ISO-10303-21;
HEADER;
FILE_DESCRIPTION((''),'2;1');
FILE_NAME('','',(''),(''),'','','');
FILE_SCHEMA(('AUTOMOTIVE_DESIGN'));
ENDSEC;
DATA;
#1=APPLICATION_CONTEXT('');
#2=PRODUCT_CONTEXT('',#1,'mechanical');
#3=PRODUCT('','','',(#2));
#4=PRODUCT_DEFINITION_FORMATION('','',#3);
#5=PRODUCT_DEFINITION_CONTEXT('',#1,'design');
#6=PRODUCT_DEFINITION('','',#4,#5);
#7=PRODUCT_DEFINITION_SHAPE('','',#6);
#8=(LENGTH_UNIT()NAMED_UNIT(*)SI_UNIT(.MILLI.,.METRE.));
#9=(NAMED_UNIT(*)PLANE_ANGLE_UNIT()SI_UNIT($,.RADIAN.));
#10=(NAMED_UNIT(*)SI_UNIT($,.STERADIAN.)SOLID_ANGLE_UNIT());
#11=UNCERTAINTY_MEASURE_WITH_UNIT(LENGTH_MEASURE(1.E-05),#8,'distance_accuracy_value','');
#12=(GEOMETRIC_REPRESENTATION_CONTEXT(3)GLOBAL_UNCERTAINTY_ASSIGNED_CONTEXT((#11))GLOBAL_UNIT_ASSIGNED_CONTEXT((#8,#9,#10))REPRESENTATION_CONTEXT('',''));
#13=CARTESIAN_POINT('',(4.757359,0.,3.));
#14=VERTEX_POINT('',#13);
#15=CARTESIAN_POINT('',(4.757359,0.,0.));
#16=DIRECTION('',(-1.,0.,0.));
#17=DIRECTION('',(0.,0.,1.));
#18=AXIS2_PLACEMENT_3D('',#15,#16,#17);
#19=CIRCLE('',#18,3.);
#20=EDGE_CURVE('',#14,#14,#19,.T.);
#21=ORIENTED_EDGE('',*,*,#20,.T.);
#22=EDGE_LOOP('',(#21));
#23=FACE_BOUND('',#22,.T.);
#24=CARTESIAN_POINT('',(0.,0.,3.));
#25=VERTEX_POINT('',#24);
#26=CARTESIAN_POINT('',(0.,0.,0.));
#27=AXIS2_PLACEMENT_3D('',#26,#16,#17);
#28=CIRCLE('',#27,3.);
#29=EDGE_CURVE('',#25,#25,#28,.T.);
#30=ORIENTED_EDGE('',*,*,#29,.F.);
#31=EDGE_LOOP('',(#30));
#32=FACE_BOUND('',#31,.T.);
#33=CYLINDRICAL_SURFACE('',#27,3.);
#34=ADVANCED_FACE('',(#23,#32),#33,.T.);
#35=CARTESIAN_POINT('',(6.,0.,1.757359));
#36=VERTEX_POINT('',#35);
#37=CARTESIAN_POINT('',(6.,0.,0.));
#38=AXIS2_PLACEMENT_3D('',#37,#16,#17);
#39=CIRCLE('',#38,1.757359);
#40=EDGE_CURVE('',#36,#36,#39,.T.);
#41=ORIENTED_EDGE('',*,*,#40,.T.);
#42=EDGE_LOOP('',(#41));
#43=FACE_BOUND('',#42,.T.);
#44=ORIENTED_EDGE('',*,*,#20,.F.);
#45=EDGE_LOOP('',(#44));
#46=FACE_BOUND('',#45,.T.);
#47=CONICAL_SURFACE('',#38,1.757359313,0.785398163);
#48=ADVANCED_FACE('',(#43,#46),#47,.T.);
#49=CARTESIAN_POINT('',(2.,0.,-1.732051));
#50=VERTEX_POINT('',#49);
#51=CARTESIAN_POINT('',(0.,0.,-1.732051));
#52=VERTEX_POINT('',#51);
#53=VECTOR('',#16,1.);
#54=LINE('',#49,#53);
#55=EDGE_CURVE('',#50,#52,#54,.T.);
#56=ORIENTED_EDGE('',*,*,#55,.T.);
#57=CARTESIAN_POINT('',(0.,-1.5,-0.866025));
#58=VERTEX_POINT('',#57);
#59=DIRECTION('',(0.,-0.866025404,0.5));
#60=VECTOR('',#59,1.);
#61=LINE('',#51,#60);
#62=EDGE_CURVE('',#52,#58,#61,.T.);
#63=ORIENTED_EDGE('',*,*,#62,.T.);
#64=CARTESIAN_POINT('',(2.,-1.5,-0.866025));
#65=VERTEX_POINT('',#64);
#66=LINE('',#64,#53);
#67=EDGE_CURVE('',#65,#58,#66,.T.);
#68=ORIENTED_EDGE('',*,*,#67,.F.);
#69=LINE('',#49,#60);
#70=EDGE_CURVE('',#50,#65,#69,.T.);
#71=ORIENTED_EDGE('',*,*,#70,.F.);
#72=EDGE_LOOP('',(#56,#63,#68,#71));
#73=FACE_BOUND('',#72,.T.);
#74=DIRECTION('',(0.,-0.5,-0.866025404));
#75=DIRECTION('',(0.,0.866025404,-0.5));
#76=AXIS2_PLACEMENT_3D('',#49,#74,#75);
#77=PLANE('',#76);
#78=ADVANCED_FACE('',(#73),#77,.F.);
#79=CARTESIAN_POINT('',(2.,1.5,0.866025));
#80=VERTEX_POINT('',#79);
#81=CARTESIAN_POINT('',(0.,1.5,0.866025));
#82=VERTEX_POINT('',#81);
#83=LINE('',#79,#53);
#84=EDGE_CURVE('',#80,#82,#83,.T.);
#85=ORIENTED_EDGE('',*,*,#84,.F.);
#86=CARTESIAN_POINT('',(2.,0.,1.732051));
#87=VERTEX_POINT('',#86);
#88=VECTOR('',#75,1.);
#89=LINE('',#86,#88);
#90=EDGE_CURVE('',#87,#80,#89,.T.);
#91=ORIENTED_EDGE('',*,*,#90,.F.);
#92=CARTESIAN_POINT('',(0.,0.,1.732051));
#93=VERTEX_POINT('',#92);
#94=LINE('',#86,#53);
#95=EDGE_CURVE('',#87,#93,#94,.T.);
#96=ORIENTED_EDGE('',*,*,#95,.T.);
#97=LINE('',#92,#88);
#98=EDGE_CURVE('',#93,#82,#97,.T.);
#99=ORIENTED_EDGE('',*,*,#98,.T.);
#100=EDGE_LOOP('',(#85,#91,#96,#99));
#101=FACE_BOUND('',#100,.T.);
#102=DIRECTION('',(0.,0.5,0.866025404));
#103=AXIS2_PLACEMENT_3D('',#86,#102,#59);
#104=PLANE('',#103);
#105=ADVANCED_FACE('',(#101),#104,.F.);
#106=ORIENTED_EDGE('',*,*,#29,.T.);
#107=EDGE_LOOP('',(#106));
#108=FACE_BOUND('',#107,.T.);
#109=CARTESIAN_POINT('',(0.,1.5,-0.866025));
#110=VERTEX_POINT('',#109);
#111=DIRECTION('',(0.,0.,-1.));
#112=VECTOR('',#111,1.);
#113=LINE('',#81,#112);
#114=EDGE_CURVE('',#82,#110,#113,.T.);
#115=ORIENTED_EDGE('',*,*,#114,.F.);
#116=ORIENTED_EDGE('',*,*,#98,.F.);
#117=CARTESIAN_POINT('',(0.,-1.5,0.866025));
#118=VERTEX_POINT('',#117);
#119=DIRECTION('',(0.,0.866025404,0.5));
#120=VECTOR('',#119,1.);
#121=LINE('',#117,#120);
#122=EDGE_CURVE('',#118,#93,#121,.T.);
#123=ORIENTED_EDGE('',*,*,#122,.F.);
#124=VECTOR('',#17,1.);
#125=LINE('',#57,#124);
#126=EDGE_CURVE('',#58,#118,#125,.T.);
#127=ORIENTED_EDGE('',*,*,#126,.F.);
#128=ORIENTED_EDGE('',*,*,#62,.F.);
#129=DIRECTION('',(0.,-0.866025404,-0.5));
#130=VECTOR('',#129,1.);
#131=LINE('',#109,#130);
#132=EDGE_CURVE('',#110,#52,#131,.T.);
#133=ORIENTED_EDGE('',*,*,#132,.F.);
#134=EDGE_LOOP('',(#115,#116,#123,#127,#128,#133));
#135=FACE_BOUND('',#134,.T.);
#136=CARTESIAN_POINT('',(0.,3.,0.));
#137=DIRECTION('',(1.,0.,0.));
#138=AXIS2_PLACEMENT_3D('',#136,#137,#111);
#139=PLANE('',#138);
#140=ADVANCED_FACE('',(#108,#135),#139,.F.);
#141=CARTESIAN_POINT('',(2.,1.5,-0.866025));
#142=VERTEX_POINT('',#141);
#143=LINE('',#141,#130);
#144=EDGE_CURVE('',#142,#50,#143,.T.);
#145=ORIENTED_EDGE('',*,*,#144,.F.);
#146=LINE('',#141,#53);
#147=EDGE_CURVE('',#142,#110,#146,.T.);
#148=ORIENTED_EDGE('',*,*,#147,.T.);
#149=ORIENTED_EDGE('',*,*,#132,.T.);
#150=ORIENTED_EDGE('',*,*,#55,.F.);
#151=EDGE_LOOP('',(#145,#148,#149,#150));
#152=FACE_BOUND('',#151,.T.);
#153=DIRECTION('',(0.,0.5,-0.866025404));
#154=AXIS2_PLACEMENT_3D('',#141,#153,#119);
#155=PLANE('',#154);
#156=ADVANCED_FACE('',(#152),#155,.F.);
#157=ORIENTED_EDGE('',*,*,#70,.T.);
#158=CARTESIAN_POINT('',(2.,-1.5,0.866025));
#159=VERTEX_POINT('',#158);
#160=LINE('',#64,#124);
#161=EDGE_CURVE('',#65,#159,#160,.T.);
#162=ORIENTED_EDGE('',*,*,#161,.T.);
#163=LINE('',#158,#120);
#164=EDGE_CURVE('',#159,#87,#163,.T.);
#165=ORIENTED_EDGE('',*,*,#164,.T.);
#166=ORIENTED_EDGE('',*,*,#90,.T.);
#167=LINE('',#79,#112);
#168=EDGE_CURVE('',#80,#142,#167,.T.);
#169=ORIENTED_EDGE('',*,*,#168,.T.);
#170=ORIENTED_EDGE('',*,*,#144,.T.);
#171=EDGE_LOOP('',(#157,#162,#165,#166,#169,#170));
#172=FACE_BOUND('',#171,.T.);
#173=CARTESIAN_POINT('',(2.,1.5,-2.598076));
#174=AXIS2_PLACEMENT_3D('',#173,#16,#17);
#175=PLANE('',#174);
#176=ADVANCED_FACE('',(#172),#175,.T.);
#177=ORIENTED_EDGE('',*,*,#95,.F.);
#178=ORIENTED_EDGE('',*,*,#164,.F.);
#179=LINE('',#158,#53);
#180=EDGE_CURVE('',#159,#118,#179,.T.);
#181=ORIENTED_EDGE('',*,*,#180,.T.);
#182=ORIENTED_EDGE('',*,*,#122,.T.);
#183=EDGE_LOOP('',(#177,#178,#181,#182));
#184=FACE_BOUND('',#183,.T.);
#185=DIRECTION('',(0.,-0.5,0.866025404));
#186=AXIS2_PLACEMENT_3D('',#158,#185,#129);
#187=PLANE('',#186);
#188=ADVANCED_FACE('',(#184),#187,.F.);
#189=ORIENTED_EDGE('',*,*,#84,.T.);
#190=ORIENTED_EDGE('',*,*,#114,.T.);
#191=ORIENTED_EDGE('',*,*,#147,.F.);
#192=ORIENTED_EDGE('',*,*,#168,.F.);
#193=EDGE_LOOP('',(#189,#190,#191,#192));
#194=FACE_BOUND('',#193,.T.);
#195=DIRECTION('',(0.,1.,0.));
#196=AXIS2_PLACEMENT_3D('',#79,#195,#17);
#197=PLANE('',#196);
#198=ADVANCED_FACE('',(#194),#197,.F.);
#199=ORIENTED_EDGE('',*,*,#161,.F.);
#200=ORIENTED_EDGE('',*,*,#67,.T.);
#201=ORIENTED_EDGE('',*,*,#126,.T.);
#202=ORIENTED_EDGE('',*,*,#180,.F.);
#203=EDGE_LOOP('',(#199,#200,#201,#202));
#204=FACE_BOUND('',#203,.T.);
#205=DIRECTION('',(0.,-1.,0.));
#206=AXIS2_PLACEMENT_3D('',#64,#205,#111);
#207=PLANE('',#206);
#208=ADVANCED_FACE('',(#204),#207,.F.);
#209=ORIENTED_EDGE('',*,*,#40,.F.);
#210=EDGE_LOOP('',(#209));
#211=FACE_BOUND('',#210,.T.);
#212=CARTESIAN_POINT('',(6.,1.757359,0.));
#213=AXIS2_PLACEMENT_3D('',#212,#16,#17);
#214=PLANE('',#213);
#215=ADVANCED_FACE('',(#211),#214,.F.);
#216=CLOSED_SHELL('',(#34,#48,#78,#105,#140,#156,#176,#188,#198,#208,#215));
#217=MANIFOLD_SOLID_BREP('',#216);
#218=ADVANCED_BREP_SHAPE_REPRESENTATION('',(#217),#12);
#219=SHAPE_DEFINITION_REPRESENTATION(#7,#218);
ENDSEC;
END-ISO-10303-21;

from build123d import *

# Parameters (mm, degrees)
CUT_EXTRUDE1_DEPTH = 2


with BuildPart() as part:
    # Sketch1 → Revolve1 (revolve)
    with BuildSketch(Plane.XY, mode=Mode.PRIVATE) as revolve1_sk:
        Polygon((6, 1.757359313), (6, 0), (0, 0), (0, 3), (4.757359313, 3), align=None)
    revolve(revolve1_sk.sketch.rotate(Axis((0, 0, 0), (1, 0, 0)), 90), axis=Axis((0, 0, 0), (1, 0, 0)))

    # Sketch2 → Cut-Extrude1 (cut)
    with BuildSketch(Plane.ZY):
        Polygon((-0.866025404, 1.5), (-1.732050808, 0), (-0.866025404, -1.5), (0.866025404, -1.5), (1.732050808, 0), (0.866025404, 1.5), align=None)
    extrude(amount=-CUT_EXTRUDE1_DEPTH, mode=Mode.SUBTRACT)


solid = part.part
